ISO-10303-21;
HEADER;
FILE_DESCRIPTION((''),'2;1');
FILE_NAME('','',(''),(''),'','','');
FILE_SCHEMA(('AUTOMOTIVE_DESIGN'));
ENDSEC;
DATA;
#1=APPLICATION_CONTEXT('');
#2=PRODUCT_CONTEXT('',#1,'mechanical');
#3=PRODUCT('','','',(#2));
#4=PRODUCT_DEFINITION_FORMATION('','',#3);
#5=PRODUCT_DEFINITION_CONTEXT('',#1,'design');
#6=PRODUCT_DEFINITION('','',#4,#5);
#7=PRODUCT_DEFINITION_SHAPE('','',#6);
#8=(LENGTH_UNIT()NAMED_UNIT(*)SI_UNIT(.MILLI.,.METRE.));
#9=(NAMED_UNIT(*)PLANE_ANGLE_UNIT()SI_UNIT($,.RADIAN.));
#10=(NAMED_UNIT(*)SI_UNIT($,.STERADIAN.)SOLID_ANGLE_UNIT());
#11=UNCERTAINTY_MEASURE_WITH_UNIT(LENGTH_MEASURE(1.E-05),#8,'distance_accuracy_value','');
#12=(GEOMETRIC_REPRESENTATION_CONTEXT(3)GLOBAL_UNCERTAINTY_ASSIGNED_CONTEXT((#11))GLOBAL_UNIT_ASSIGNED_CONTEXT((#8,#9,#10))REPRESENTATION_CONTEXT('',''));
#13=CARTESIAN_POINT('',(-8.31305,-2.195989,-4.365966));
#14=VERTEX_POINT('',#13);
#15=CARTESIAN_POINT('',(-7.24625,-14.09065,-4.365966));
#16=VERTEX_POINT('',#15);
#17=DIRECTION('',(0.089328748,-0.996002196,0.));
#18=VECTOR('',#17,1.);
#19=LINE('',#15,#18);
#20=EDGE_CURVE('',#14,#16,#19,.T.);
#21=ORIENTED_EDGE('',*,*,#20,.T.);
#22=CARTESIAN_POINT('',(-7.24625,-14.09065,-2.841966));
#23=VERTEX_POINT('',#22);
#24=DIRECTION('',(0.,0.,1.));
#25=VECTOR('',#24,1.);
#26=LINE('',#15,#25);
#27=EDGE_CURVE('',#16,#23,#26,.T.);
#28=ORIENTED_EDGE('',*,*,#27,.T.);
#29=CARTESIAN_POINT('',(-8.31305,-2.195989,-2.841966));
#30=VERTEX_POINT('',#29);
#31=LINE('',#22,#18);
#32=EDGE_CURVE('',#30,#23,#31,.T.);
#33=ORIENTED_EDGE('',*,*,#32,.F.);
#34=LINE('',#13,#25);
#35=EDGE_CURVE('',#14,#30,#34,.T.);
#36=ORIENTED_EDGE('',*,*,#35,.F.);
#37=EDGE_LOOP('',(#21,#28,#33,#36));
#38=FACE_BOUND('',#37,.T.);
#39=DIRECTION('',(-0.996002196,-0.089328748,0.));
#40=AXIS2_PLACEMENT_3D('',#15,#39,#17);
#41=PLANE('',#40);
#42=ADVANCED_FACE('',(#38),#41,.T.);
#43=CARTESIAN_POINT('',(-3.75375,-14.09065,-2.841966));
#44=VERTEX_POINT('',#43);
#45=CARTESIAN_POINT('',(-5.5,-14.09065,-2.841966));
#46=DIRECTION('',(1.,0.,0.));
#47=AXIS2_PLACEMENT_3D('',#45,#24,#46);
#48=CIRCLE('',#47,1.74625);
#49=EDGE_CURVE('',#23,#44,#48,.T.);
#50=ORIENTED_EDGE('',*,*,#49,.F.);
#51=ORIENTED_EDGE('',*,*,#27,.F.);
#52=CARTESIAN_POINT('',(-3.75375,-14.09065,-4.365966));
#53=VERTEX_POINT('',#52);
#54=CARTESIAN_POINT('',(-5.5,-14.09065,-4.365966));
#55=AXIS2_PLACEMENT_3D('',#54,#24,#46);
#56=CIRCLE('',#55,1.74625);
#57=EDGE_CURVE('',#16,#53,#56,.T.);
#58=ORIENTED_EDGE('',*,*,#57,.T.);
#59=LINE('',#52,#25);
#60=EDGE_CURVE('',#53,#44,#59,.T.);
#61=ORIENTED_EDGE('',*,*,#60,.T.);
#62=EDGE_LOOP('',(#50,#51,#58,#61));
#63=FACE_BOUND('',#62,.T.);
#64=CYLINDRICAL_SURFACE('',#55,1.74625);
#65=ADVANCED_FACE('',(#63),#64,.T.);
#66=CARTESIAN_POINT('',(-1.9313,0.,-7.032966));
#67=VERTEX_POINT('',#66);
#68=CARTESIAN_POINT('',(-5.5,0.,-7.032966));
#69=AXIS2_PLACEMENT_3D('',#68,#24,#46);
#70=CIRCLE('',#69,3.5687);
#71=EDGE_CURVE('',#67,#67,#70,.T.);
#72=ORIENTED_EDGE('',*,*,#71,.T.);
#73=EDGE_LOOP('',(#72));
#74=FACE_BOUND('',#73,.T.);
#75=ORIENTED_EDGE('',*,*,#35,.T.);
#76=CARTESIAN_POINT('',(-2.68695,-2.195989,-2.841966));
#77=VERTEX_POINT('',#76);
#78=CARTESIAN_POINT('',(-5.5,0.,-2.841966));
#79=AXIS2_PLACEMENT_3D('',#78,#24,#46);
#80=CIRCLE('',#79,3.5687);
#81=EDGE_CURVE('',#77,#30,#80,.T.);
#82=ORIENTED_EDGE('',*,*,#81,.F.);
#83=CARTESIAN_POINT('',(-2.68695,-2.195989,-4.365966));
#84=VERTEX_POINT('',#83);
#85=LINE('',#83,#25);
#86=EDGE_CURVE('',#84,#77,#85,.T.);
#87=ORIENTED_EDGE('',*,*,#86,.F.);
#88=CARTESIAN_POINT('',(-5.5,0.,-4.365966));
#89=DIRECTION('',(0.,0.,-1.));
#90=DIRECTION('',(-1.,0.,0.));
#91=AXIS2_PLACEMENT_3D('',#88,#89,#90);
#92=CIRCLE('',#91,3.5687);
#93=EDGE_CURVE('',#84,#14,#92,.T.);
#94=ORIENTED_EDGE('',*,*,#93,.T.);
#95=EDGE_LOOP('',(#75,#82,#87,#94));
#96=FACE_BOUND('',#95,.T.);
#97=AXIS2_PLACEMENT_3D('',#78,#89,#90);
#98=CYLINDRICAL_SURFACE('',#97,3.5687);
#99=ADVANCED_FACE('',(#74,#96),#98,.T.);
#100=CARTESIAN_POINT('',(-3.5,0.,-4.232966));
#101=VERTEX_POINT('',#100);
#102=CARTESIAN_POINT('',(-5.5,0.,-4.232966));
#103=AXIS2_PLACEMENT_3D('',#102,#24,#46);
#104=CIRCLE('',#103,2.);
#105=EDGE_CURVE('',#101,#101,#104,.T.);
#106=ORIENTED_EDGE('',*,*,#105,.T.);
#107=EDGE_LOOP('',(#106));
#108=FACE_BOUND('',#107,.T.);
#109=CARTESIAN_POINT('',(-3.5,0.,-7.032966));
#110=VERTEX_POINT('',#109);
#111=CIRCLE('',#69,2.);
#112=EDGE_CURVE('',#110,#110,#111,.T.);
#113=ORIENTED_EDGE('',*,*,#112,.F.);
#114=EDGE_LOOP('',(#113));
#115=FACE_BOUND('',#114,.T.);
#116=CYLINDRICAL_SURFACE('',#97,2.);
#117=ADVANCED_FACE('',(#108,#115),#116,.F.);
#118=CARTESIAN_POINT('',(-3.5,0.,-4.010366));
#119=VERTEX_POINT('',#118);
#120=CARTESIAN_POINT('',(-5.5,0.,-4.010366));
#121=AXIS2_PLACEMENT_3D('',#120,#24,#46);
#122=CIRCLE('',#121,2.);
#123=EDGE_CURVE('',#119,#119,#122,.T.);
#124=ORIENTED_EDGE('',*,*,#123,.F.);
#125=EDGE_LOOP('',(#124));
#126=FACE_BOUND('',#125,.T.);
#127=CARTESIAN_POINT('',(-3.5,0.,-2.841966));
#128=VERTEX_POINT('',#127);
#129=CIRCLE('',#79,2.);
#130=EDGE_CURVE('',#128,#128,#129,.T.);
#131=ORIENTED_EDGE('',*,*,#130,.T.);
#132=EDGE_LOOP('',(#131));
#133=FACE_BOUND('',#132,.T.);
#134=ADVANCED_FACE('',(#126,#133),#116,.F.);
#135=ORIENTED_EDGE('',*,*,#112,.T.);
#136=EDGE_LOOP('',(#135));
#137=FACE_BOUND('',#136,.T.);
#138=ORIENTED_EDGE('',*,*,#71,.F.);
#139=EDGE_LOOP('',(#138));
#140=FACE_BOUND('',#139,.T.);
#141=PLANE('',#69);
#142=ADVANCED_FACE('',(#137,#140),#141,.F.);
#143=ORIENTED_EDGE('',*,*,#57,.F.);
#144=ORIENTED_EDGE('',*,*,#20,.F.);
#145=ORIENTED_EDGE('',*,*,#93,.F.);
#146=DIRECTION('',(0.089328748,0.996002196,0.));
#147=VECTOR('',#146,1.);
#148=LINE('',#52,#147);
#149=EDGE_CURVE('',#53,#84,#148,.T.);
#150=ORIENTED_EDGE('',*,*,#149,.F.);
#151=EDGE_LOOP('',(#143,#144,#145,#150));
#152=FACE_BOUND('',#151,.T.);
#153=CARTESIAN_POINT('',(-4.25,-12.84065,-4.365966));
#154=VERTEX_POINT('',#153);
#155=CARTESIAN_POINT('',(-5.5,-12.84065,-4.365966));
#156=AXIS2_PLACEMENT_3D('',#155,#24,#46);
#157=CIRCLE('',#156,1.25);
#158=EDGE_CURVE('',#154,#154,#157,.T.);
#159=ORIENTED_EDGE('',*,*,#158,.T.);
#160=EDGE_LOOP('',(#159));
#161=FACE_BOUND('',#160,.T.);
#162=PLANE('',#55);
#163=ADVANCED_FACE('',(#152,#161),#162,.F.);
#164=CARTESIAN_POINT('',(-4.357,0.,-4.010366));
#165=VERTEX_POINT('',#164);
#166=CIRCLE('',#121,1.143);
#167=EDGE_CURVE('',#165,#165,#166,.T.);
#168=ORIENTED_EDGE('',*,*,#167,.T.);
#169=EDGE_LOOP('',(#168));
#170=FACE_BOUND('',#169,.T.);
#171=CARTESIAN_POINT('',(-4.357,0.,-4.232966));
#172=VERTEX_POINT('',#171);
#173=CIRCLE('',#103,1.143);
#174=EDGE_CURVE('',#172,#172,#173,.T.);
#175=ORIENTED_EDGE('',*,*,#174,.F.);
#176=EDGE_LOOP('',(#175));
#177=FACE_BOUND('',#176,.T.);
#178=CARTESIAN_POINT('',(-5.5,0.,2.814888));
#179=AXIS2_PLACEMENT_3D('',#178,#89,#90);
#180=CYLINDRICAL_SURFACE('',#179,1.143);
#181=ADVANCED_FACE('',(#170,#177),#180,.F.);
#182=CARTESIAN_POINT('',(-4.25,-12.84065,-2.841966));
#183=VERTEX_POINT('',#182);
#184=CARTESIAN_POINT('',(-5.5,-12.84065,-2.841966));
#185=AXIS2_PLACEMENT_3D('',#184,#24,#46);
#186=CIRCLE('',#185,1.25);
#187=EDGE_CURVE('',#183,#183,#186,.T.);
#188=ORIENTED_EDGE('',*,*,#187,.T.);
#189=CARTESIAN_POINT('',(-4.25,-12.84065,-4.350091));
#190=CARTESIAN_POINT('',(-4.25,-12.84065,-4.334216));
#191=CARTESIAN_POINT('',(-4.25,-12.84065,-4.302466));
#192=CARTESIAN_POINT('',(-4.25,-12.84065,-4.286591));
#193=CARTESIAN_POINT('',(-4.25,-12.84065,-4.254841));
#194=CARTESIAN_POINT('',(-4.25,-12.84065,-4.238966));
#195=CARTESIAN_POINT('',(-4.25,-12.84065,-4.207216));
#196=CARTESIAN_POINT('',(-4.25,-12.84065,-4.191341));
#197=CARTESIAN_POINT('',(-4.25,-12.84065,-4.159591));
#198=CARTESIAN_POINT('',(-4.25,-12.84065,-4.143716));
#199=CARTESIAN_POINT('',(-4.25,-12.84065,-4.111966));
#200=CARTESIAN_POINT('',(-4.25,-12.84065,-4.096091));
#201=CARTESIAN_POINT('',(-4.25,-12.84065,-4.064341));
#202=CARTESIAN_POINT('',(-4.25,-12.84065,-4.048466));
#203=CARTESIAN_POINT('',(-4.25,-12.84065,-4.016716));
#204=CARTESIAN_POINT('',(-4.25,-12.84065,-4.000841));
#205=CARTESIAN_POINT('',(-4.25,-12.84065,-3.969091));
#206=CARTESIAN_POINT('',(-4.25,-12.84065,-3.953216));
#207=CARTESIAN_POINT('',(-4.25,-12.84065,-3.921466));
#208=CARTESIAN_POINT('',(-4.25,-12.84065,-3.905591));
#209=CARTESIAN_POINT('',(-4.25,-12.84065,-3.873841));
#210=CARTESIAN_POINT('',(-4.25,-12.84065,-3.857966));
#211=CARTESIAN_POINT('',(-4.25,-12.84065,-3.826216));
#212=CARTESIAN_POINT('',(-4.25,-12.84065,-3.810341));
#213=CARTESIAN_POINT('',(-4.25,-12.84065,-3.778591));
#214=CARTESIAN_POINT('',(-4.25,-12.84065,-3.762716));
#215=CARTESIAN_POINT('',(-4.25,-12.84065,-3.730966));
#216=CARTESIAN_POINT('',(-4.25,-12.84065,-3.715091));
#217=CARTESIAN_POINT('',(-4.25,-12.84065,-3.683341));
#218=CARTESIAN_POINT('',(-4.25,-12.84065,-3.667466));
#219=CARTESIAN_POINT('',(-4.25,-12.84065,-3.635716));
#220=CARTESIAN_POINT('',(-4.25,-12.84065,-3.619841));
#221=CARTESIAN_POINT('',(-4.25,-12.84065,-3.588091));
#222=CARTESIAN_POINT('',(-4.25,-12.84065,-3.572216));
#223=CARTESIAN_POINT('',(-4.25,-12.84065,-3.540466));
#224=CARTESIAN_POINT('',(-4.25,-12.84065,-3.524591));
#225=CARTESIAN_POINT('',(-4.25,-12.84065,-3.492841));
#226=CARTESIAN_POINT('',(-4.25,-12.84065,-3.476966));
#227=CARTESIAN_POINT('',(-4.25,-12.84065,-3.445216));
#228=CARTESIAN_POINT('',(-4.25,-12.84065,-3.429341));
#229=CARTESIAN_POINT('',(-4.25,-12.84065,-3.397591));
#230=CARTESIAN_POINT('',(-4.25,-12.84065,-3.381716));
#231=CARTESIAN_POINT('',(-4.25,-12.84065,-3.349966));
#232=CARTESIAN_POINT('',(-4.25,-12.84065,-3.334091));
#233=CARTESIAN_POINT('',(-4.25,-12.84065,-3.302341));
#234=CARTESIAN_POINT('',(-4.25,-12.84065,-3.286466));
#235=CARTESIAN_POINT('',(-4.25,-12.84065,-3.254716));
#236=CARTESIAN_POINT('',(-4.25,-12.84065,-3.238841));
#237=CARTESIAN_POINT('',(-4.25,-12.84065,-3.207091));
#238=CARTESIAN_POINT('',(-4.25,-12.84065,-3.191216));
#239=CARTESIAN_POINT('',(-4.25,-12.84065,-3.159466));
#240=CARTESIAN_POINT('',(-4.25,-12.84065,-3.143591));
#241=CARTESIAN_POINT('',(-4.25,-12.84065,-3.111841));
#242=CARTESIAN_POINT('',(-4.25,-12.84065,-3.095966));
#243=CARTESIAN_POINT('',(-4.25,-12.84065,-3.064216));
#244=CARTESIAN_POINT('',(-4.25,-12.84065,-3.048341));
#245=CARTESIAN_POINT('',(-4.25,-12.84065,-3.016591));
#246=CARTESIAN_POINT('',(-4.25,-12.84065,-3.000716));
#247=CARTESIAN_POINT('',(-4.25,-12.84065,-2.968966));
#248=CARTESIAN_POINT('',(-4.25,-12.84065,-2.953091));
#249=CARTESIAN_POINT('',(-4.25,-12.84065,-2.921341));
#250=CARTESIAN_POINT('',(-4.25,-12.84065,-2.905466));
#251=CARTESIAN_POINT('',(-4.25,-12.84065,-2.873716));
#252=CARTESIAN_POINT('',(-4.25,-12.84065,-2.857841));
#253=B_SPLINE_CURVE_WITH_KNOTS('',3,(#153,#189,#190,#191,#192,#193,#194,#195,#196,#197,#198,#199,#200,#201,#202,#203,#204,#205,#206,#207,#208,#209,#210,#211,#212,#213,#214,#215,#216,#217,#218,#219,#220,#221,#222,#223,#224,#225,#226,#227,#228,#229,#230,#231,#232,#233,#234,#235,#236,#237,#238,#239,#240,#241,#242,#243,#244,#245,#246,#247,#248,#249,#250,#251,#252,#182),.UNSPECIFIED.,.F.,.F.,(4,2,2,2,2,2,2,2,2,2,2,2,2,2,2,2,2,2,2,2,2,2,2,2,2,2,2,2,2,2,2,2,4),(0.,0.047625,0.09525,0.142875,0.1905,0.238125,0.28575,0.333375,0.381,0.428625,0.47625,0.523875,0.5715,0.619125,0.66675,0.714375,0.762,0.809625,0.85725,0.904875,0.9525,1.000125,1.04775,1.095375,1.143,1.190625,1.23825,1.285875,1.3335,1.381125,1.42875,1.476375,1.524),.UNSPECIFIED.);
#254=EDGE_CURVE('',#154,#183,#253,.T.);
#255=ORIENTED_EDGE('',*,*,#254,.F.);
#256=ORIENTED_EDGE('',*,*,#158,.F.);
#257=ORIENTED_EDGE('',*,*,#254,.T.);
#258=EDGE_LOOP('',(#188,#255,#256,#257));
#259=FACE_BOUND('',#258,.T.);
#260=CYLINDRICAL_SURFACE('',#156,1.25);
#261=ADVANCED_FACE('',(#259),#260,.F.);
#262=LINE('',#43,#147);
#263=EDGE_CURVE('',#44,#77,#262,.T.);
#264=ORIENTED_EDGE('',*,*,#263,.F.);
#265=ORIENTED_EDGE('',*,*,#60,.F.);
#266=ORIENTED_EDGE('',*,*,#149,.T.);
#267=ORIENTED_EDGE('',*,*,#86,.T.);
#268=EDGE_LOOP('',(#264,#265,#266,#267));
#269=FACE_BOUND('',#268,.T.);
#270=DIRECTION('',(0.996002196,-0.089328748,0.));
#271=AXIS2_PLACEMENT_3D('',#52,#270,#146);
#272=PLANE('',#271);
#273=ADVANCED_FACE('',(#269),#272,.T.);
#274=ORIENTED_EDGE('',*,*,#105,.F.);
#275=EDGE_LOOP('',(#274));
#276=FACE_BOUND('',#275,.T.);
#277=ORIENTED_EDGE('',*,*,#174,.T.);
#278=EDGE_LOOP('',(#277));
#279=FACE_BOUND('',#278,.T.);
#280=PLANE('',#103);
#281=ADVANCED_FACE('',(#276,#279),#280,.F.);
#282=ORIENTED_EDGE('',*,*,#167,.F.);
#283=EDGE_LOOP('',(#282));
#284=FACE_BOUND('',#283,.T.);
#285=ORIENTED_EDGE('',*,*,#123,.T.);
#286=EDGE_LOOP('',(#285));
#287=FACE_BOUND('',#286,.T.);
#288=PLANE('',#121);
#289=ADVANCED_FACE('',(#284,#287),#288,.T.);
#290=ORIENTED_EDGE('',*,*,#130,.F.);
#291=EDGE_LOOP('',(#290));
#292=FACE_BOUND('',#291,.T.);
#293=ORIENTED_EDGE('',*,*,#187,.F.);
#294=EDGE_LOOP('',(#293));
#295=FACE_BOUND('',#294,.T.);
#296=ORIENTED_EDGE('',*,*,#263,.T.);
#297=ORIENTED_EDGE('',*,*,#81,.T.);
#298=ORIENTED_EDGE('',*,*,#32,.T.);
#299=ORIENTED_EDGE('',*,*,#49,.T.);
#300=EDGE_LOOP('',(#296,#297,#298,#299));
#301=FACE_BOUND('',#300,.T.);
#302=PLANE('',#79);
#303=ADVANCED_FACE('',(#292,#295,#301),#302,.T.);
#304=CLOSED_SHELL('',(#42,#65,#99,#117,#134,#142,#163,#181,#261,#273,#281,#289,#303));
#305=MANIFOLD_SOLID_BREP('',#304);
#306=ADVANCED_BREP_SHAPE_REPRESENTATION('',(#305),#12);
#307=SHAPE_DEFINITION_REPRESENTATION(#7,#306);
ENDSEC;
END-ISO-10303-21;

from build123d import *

# Parameters (mm, degrees)
SKETCH1_R           = 3.5687
SKETCH1_R_2         = 2
BOSS_EXTRUDE1_DEPTH = 4.191
SKETCH5_R           = 2
SKETCH5_R_2         = 1.143
BOSS_EXTRUDE2_DEPTH = 0.2226
BOSS_EXTRUDE3_START = -1.524
SKETCH6_R           = 1.25
BOSS_EXTRUDE3_DEPTH = 1.524


with BuildPart() as part:
    # Sketch1 → Boss-Extrude1 (new body)
    with BuildSketch(Plane.XY.offset(-7.032965862)):
        with Locations((-5.5, 0)):
            Circle(SKETCH1_R)
        with Locations((-5.5, 0)):
            Circle(SKETCH1_R_2, mode=Mode.SUBTRACT)
    extrude(amount=BOSS_EXTRUDE1_DEPTH)

    # Sketch5 → Boss-Extrude2 (add)
    with BuildSketch(Plane.XY.offset(-4.232965862)):
        with Locations((-5.5, 0)):
            Circle(SKETCH5_R)
        with Locations((-5.5, 0)):
            Circle(SKETCH5_R_2, mode=Mode.SUBTRACT)
    extrude(amount=BOSS_EXTRUDE2_DEPTH)

    # Sketch6 → Boss-Extrude3 (add)
    with BuildSketch(Plane.XY.offset(-2.841965862).offset(BOSS_EXTRUDE3_START)):
        with BuildLine():
            Line((-3.75375, -14.09065), (-2.68695, -2.195989387))
            ThreePointArc((-2.68695, -2.195989387), (-5.5, -3.5687), (-8.31305, -2.195989387))
            Line((-8.31305, -2.195989387), (-7.24625, -14.09065))
            ThreePointArc((-7.24625, -14.09065), (-5.5, -15.8369), (-3.75375, -14.09065))
        make_face()
        with Locations((-5.5, -12.84065)):
            Circle(SKETCH6_R, mode=Mode.SUBTRACT)
    extrude(amount=BOSS_EXTRUDE3_DEPTH)


solid = part.part
